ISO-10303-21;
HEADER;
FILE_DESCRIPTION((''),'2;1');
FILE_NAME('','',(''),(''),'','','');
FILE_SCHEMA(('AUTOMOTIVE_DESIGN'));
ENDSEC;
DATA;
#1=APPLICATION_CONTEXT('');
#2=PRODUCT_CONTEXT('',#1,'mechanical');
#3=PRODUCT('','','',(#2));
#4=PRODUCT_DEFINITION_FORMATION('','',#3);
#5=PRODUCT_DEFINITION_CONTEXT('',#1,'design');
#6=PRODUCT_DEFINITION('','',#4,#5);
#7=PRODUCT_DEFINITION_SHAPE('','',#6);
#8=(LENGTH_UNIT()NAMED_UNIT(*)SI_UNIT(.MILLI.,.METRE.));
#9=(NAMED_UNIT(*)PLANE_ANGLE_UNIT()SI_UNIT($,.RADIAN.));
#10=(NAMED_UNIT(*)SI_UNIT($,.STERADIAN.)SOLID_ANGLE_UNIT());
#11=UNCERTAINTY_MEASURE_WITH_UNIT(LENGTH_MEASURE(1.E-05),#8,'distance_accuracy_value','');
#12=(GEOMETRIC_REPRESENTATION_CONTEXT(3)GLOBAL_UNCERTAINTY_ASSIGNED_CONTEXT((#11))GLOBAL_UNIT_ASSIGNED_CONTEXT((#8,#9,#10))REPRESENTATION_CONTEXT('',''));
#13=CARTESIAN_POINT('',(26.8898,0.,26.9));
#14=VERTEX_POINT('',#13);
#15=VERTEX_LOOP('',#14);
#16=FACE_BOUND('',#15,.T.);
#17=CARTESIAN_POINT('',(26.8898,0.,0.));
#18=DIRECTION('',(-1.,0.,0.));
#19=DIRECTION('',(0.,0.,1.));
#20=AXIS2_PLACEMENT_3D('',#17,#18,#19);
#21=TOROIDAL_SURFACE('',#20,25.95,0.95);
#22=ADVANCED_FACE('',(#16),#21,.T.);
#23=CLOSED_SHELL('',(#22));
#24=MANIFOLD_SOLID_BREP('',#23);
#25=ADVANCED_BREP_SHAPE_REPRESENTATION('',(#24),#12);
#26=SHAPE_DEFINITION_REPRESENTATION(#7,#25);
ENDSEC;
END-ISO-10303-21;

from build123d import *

# Parameters (mm, degrees)
SKETCH3_R = 0.950000005


with BuildPart() as part:
    # Sketch3 → Revolve1 (revolve)
    with BuildSketch(Plane.XY):
        with Locations((26.889800043, 25.950000043)):
            Circle(SKETCH3_R)
    revolve(axis=Axis((0, 0, 0), (1, 0, 0)))


solid = part.part
